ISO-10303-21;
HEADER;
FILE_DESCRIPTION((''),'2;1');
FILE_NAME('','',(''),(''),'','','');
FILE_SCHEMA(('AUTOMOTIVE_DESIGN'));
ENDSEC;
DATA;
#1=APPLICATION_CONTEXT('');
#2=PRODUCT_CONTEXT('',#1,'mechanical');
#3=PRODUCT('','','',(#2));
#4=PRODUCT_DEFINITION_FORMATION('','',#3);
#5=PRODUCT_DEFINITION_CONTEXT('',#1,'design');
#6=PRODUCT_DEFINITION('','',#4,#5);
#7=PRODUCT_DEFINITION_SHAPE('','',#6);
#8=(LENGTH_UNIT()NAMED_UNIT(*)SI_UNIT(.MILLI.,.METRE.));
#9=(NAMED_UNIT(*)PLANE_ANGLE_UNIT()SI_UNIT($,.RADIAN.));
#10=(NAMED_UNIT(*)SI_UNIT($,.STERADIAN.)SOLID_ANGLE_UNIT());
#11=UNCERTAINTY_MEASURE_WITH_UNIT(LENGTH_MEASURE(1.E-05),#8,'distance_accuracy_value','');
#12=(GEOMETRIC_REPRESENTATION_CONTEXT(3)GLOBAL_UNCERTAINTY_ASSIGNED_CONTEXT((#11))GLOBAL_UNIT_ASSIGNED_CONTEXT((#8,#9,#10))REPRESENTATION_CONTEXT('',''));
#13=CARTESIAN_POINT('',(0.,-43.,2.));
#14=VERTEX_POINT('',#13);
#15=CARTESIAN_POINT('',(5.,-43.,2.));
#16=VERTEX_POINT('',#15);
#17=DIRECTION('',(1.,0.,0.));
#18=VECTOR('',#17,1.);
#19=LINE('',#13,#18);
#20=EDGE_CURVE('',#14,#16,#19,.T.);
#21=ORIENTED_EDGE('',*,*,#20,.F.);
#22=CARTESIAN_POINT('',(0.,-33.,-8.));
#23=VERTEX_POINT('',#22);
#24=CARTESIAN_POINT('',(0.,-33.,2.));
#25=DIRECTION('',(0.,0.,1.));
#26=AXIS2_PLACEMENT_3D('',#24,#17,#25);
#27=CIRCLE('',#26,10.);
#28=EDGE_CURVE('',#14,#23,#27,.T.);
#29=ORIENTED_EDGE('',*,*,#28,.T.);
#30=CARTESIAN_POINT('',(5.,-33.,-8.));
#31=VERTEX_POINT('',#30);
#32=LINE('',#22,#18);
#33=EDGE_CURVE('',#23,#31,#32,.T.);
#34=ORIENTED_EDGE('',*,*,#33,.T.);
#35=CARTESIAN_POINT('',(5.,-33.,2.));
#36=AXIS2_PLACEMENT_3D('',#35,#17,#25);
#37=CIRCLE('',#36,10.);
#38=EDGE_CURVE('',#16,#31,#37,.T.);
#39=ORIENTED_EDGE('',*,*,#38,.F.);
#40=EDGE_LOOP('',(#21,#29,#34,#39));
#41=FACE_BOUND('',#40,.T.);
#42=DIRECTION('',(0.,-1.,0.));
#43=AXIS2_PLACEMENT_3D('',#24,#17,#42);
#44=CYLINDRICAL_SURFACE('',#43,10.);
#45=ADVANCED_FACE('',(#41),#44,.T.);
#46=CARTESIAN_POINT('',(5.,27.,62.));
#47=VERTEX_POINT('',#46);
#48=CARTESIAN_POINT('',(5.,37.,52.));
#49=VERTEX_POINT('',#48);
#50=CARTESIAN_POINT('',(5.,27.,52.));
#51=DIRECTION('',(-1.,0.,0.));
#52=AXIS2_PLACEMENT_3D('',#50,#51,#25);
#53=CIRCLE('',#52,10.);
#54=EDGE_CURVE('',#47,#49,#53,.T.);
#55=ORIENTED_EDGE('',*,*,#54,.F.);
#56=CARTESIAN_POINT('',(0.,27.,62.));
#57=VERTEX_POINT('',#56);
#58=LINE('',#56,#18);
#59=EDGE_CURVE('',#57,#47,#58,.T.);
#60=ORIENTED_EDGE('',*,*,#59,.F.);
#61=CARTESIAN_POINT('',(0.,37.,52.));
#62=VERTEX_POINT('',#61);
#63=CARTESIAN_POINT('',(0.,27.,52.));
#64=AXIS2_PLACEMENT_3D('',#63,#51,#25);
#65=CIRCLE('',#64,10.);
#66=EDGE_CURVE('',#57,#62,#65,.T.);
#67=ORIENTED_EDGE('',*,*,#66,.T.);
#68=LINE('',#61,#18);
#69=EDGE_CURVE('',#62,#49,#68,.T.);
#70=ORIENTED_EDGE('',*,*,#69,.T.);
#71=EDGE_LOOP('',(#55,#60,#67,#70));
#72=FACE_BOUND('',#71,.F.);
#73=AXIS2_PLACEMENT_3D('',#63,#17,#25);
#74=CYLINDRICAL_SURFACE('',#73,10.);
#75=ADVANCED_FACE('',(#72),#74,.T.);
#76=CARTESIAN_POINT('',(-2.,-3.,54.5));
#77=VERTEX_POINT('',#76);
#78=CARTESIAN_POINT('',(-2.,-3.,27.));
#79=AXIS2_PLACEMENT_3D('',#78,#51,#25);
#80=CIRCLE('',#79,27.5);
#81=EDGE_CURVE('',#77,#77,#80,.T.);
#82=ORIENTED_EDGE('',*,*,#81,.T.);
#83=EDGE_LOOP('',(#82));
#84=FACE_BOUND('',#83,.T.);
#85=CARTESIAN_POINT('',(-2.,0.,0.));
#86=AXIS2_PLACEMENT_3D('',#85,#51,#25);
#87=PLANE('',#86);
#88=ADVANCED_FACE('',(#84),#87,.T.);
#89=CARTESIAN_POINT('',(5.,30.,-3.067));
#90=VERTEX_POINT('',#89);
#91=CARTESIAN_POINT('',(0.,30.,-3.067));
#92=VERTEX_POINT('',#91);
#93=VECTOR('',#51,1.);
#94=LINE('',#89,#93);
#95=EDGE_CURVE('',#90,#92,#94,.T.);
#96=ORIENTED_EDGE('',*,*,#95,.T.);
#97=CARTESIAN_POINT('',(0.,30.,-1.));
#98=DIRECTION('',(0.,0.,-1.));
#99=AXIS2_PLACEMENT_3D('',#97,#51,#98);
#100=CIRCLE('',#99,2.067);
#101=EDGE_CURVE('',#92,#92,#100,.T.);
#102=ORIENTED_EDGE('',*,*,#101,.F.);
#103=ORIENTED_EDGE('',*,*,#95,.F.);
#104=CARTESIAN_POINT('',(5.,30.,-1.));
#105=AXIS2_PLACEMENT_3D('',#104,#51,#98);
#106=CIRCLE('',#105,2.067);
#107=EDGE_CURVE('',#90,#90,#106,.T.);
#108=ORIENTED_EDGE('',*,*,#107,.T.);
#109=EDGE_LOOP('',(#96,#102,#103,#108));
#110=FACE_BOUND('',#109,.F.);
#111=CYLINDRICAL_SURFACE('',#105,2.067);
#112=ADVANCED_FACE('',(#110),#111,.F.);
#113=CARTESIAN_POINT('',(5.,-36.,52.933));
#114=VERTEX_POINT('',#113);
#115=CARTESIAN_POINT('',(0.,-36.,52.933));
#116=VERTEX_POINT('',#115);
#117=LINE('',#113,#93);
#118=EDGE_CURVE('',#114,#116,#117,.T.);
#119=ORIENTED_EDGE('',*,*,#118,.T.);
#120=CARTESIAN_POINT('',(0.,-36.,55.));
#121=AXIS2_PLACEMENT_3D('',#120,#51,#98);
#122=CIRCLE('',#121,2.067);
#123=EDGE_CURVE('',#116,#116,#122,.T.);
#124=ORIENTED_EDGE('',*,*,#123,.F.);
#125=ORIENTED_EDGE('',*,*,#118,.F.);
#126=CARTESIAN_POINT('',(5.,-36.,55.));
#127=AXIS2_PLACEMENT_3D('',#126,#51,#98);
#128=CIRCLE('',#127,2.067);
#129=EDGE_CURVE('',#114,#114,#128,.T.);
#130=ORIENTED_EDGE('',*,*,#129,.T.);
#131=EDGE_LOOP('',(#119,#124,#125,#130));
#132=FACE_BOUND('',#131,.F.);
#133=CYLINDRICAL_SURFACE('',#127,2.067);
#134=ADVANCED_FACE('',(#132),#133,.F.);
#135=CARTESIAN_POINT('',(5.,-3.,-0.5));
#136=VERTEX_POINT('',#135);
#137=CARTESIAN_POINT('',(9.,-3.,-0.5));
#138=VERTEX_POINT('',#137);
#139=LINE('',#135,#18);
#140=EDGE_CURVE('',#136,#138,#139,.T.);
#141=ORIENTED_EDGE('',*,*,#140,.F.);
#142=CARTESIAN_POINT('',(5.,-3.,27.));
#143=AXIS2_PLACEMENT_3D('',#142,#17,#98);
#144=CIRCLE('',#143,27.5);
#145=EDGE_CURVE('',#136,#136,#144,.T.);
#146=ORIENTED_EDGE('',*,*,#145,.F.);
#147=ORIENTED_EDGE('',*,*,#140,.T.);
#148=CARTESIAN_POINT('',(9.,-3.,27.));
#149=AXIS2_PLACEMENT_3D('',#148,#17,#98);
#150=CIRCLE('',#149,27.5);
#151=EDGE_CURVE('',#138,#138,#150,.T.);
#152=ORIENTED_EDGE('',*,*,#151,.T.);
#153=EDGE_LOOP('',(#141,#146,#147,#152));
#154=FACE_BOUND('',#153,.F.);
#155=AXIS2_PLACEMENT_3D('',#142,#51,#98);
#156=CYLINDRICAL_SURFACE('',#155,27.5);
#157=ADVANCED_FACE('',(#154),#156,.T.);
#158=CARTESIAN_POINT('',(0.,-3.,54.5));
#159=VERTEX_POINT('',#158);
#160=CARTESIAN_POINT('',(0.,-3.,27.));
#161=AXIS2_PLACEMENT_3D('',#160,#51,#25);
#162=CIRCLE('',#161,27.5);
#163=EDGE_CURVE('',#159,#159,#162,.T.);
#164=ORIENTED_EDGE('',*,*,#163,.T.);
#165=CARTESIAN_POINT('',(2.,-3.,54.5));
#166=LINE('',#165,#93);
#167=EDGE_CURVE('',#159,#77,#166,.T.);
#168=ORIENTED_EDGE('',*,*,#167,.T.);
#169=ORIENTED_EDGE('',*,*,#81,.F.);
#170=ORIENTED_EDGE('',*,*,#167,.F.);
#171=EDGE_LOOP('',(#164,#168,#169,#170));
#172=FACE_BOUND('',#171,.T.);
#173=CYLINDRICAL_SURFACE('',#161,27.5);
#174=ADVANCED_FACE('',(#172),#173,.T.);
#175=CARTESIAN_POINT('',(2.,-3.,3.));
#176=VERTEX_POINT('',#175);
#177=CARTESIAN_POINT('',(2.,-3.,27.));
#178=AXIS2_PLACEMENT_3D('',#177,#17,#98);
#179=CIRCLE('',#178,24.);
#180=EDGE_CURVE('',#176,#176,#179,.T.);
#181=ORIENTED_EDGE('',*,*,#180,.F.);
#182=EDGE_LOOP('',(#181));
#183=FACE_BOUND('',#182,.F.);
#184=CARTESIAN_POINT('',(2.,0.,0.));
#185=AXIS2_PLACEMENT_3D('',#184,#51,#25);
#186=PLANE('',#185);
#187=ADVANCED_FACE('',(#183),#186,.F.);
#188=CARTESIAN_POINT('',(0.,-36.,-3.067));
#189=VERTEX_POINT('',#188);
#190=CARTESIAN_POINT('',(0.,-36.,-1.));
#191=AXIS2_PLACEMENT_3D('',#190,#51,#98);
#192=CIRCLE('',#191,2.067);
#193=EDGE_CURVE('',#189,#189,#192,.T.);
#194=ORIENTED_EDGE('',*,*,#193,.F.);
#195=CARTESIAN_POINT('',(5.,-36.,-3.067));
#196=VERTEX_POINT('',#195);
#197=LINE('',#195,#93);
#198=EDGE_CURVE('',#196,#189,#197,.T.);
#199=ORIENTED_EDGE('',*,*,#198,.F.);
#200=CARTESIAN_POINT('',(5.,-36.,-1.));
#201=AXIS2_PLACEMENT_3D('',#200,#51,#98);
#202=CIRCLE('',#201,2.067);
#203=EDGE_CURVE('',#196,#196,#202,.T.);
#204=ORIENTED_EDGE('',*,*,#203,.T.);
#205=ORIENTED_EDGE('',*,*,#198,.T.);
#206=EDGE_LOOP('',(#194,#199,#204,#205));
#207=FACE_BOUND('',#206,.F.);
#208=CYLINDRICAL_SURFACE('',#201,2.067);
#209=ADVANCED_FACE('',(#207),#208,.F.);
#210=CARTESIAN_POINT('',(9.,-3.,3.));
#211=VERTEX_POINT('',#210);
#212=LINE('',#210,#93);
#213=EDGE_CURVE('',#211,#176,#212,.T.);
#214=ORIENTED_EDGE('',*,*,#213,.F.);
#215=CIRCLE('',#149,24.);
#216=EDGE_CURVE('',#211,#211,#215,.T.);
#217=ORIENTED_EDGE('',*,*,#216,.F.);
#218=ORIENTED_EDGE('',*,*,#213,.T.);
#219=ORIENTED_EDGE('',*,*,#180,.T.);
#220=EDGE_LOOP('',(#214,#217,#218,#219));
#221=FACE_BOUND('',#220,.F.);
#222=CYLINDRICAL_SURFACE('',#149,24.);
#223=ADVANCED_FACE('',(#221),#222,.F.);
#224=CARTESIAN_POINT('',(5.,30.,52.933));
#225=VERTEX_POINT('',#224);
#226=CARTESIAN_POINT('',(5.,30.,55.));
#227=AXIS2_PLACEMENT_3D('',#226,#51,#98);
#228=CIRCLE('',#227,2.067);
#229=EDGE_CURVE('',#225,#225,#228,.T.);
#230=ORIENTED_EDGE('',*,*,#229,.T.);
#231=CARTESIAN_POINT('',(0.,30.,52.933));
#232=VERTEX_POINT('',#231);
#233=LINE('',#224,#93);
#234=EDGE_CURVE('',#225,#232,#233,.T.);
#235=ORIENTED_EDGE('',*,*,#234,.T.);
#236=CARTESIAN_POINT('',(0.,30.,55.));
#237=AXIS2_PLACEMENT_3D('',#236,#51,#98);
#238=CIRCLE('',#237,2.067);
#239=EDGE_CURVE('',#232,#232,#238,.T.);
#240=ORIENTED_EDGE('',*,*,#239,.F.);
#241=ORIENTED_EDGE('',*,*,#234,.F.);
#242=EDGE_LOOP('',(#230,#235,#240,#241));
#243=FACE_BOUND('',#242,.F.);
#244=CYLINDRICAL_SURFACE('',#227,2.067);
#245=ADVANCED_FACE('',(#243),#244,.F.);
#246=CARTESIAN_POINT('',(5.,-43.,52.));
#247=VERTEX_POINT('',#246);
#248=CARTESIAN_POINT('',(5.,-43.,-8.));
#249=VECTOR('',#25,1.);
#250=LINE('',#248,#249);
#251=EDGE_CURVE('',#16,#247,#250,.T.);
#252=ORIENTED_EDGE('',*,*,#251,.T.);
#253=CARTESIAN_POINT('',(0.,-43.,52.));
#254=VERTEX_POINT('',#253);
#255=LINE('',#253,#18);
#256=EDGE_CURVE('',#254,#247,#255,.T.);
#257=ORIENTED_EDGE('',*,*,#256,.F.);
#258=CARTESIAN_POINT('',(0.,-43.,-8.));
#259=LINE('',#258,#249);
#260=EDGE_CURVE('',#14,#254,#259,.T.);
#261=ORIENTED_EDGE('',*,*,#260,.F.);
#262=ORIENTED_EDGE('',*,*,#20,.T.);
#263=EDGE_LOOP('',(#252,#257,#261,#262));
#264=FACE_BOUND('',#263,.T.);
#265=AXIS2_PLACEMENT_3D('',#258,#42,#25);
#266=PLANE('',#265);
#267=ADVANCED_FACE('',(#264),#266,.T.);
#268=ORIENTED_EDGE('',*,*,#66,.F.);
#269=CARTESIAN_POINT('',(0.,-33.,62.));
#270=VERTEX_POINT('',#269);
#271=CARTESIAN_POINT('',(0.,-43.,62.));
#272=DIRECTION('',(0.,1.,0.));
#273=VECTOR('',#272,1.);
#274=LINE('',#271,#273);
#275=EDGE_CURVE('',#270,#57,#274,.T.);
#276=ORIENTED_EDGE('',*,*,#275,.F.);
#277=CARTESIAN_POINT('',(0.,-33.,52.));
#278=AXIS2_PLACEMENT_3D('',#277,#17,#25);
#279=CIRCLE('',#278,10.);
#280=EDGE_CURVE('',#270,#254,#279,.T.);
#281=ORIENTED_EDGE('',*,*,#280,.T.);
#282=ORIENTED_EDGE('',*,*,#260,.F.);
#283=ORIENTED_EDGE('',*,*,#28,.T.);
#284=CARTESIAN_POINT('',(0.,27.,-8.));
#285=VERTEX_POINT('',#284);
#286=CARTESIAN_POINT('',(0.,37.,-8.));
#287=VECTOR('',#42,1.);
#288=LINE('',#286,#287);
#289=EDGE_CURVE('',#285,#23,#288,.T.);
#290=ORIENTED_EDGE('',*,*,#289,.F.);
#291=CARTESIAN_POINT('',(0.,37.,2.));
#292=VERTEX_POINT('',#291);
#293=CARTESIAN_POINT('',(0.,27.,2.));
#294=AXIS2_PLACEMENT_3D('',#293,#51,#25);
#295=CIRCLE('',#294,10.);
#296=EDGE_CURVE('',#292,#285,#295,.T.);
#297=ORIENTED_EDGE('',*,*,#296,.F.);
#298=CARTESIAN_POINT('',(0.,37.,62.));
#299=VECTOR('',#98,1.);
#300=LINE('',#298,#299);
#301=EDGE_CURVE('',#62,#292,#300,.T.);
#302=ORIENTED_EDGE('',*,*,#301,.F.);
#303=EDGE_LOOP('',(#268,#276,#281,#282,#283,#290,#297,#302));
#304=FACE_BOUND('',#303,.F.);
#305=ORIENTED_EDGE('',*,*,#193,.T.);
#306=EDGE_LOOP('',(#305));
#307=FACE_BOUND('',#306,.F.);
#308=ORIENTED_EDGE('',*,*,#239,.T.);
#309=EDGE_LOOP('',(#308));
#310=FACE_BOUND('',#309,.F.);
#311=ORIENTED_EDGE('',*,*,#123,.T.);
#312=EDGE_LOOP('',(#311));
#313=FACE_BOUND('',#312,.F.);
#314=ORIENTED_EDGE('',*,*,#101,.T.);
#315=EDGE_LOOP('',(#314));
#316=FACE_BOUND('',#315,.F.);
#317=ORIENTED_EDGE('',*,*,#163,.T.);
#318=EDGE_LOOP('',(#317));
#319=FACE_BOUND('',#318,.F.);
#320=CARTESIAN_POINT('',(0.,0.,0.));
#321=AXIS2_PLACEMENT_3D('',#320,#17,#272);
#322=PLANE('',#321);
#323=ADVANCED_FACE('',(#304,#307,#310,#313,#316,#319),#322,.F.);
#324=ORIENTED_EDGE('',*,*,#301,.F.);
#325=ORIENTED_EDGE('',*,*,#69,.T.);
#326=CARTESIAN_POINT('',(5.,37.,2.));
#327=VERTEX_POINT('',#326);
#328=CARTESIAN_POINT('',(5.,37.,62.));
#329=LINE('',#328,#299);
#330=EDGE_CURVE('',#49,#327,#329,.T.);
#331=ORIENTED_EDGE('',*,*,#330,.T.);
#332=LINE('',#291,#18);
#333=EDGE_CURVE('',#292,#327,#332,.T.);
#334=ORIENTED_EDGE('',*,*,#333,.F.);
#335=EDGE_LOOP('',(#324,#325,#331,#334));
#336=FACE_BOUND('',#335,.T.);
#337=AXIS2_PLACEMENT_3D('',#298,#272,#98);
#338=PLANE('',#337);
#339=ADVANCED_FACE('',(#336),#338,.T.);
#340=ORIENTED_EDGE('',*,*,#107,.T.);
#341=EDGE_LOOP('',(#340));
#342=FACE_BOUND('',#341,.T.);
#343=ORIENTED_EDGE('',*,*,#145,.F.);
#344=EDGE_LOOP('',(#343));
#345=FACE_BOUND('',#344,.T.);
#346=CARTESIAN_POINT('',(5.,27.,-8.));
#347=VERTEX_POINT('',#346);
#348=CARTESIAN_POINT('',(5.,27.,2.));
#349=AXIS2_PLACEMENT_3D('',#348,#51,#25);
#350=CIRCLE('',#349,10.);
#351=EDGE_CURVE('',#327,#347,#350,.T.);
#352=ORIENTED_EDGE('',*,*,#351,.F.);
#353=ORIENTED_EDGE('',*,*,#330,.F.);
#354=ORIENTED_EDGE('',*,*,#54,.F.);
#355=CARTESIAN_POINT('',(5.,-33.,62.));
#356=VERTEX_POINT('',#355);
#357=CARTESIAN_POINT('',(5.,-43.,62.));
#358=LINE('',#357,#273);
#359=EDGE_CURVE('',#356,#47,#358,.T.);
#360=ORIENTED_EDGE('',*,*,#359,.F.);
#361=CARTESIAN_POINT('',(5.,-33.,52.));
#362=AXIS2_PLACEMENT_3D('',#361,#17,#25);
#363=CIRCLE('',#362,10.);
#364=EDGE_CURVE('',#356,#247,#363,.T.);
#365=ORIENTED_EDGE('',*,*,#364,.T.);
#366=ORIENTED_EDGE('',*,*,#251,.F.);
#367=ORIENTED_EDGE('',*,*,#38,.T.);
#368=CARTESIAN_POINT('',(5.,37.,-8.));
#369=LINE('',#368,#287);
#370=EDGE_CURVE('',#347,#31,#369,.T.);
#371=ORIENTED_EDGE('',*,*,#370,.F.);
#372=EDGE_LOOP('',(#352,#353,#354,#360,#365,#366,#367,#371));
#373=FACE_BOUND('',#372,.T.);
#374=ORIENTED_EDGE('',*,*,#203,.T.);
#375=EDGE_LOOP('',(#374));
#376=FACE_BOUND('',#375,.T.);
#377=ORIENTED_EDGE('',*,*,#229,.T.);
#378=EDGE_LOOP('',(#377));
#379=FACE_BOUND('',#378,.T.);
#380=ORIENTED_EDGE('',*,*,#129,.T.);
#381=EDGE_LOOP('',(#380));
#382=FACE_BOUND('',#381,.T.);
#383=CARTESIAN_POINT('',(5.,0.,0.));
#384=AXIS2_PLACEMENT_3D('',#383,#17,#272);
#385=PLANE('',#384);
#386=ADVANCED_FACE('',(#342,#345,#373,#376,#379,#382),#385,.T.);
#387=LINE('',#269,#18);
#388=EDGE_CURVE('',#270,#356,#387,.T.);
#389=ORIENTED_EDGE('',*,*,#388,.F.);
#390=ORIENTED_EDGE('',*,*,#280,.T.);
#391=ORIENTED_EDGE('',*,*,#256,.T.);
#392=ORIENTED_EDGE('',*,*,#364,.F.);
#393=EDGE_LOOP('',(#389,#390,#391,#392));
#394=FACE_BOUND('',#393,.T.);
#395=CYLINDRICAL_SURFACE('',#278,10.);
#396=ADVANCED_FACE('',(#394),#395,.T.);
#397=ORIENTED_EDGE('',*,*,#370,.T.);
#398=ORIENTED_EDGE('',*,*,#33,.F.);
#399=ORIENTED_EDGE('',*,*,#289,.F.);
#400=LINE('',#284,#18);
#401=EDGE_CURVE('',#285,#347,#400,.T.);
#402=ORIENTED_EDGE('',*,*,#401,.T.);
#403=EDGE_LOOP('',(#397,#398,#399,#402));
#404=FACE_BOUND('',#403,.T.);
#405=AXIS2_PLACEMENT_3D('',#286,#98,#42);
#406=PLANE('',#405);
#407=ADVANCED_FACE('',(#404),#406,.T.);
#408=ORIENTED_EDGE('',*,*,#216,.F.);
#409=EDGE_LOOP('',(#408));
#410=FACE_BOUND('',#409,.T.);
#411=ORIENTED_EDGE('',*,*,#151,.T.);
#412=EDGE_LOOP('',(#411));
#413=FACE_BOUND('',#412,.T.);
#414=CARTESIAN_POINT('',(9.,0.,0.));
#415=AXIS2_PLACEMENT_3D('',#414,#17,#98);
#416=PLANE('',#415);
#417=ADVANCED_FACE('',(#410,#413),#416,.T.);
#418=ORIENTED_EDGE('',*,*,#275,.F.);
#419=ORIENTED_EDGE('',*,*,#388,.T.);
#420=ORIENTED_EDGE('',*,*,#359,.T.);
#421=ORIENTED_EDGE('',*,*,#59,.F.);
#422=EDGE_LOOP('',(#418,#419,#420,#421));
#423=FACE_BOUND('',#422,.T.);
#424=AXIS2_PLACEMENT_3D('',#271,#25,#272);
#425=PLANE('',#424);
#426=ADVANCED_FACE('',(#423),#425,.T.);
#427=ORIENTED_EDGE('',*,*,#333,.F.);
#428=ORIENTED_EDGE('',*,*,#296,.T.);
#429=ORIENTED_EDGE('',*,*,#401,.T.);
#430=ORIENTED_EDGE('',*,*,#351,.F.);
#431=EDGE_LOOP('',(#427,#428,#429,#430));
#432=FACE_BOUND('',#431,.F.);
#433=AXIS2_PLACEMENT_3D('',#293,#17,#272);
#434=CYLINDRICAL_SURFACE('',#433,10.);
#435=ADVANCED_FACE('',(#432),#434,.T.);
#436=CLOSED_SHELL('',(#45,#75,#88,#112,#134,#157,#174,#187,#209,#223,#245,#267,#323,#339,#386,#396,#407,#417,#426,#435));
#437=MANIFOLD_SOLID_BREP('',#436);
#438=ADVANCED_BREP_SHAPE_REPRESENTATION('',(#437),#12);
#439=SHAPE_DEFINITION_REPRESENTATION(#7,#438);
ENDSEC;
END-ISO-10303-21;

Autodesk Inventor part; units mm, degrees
ref_plane "YZ Plane" through (0, 0, 0) normal (1, 0, 0) x (0, 1, 0)
ref_plane "XZ Plane" through (0, 0, 0) normal (0, 1, 0) x (-1, 0, 0)
ref_plane "XY Plane" through (0, 0, 0) normal (0, 0, 1) x (1, 0, 0)
sketch "Skizze1" plane through (0, 0, 0) normal (1, 0, 0) x (0, 1, 0)
  line L0 (-43, 62) -> (37, 62)
  line L1 (37, 62) -> (37, -8)
  line L2 (37, -8) -> (-43, -8)
  line L3 (-43, -8) -> (-43, 62)
  line L4 (-43, 62) -> (37, -8) construction
  line L5 (37, 62) -> (-43, -8) construction
  point P0 (-3, 27)
  dimension "d3" = 80
  dimension "d4" = 70
extrude "Extrusion1" add sketch "Skizze1" along normal blind 5
sketch "Skizze2" plane through (5, 0, 0) normal (1, 0, 0) x (0, 0, -1)
  circle A0 centre (-27, -3) radius 27.5
  line L0 (8, 37) -> (-62, 37) projected
  line L1 (-62, 37) -> (-62, -43) projected
  point P0 (0, 0)
  dimension "d5" = 55
  dimension "d11" = 40
  dimension "d12" = 35
extrude "Extrusion2" add sketch "Skizze2" along normal blind 4
sketch "Skizze3" plane through (9, -3, 27) normal (1, 0, 0) x (0, 0, -1)
  circle A0 centre (0, 0) radius 24
  point P0 (27, 3)
  dimension "d8" = 48
extrude "Extrusion3" cut sketch "Skizze3" against normal through all
fillet "Rundung1" radius 10 4 edges at (2.5, 37, -8) (2.5, 37, 62) (2.5, -43, 62) (2.5, -43, -8)
sketch "Skizze4" plane through (5, 0, 0) normal (1, 0, 0) x (0, 0, -1)
  circle A0 centre (-27, -3) radius 33.55
  line L0 (-2, 37) -> (-52, 37) projected
  line L1 (-62, 27) -> (-62, -33) projected
  line L2 (8, -33) -> (8, 27) projected
  line L3 (-52, -43) -> (-2, -43) projected
  point P0 (0, 0)
  point P1 (-55, 30)
  point P2 (1, 30)
  point P3 (1, -36)
  point P4 (-55, -36)
  dimension "d14" = 67.1
  dimension "d15" = 7
  dimension "d16" = 7
  dimension "d17" = 7
  dimension "d18" = 7
  dimension "d19" = 7
  dimension "d20" = 7
  dimension "d21" = 7
  dimension "d29" = 7
hole "Bohrung1" at (5, 30, 55) at (5, 30, -1) at (5, -36, -1) at (5, -36, 55) direction (-1, 0, 0) diameter 4.134 end through all thread size "M5x0.8" class "6H" standard "ANSI Metric M Profile"
sketch "Skizze5" plane through (0, 0, 0) normal (-1, 0, 0) x (0, 0, 1)
  circle A0 centre (27, -3) radius 24 projected
  circle A1 centre (27, -3) radius 27.5
  circle A2 centre (27, -3) radius 10
  point P0 (0, 0)
  dimension "d30" = 55
  dimension "d39" = 20
extrude "Extrusion5" add sketch "Skizze5" along normal mid plane 4 contours A0 | A1 | A2
properties part number "Deckel Endewelle" material "Aluminium 6061"
